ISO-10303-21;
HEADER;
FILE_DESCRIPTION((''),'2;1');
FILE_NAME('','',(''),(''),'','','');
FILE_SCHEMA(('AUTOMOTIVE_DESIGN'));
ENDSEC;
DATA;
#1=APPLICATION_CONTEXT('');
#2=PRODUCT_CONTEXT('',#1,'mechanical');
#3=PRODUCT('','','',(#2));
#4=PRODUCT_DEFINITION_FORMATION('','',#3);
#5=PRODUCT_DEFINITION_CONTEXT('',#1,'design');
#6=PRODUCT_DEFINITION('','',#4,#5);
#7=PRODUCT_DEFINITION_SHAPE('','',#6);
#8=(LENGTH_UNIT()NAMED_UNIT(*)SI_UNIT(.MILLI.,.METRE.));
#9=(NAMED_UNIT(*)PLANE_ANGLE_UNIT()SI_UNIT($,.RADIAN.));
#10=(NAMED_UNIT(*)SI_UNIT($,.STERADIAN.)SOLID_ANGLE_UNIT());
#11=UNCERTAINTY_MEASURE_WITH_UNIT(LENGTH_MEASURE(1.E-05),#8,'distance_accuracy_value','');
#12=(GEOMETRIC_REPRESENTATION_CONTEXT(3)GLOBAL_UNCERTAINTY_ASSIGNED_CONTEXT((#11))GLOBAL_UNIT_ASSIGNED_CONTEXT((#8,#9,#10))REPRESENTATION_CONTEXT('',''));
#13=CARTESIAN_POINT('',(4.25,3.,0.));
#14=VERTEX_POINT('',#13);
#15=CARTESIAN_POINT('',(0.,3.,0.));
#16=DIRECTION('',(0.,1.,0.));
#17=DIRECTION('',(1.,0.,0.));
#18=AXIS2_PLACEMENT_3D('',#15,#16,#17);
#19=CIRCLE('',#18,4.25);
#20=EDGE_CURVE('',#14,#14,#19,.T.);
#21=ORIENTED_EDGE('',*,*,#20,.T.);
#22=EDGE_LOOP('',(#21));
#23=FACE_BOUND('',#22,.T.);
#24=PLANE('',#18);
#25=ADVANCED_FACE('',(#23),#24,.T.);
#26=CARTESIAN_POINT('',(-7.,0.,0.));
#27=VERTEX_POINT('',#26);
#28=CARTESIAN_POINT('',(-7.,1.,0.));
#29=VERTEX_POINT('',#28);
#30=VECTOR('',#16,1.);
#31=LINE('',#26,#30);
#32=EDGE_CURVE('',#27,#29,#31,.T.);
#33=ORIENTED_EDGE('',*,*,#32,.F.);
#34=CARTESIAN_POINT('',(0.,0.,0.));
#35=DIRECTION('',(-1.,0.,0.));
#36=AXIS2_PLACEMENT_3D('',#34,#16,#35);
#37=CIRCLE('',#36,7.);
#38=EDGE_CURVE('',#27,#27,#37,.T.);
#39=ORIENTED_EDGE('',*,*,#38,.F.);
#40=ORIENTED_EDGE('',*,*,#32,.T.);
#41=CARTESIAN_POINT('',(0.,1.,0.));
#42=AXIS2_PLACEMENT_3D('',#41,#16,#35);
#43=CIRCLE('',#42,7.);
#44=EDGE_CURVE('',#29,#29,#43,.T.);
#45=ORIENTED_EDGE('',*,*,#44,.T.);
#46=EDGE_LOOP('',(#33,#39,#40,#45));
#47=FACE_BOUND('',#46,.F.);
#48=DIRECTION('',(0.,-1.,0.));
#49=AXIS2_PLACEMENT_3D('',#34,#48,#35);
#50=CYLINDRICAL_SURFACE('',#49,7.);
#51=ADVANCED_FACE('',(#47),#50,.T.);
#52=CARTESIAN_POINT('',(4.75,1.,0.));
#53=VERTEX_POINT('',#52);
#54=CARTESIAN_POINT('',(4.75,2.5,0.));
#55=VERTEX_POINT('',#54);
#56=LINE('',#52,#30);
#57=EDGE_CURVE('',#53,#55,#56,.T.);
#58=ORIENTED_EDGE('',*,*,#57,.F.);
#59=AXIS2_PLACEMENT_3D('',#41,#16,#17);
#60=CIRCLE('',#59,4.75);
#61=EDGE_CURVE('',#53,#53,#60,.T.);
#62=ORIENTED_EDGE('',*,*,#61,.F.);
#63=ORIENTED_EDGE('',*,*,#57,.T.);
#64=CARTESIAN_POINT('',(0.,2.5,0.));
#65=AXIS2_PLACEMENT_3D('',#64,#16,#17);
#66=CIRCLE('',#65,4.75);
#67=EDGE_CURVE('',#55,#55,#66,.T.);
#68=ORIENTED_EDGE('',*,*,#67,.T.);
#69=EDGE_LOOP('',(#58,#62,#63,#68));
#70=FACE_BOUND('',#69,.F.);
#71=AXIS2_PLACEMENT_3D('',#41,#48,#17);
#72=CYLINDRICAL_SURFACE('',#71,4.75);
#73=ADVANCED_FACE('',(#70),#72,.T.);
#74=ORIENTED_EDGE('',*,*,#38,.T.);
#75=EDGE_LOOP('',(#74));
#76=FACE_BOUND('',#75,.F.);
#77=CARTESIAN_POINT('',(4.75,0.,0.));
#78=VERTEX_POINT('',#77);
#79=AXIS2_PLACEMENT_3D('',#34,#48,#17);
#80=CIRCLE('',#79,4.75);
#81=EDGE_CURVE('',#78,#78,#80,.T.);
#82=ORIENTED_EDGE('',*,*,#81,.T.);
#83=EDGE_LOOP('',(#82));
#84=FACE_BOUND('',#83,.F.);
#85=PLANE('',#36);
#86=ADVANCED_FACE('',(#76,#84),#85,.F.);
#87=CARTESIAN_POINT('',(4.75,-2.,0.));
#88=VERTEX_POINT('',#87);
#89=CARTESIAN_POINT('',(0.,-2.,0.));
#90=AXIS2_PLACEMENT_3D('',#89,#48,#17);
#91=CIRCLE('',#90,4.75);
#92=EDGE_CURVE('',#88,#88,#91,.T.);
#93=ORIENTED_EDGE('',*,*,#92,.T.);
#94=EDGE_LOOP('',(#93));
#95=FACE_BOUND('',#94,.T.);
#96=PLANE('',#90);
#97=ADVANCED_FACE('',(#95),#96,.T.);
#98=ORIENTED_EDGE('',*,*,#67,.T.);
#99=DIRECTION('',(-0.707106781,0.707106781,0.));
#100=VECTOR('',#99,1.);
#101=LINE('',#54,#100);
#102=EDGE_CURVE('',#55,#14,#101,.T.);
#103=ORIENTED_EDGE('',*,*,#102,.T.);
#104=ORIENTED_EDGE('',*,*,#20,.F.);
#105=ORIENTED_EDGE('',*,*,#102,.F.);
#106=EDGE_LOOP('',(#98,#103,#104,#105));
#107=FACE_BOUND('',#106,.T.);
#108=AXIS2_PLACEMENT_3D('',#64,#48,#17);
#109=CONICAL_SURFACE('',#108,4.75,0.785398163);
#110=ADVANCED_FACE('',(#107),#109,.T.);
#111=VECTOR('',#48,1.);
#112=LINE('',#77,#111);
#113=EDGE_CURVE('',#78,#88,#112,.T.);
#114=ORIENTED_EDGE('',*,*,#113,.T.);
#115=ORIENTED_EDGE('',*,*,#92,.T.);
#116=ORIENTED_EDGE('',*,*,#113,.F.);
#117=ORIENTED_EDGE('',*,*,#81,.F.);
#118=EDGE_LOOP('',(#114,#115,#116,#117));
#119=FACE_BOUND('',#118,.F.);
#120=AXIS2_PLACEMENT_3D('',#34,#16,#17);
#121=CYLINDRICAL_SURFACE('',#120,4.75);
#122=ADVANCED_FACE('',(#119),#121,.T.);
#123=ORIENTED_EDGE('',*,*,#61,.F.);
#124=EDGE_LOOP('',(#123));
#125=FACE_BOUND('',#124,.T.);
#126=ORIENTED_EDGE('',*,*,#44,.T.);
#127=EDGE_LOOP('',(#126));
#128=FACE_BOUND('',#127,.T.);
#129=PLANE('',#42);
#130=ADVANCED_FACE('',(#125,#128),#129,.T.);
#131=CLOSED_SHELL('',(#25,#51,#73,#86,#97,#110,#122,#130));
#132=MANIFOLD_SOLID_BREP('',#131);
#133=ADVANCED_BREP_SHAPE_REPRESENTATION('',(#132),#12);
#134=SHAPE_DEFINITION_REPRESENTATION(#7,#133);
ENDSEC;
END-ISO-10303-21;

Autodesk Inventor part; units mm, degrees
ref_plane "YZ Plane" through (0, 0, 0) normal (1, 0, 0) x (0, 1, 0)
ref_plane "XZ Plane" through (0, 0, 0) normal (0, 1, 0) x (-1, 0, 0)
ref_plane "XY Plane" through (0, 0, 0) normal (0, 0, 1) x (1, 0, 0)
sketch "Sketch1" plane through (0, 0, 0) normal (0, 1, 0) x (-1, 0, 0)
  circle A0 centre (0, 0) radius 7
  dimension "d0" = 14
extrude "Extrusion1" add sketch "Sketch1" along normal blind 1
sketch "Sketch2" plane through (0, 1, 0) normal (0, 1, 0) x (1, 0, 0)
  circle A0 centre (0, 0) radius 4.75
  dimension "d3" = 9.5
extrude "Extrusion2" add sketch "Sketch2" along normal blind 2
sketch "Sketch3" plane through (0, 0, 0) normal (0, -1, 0) x (1, 0, 0)
  circle A0 centre (0, 0) radius 4.75
extrude "Extrusion3" add sketch "Sketch3" along normal blind 2
chamfer "Chamfer1" distance 0.5 angle 45 1 edges at (-4.75, 3, 0)
equation "\"BendRadius\" = Thickness"
equation "\"BendReliefWidth\" = Thickness"
equation "\"BendReliefDepth\" = 0.5 * Thickness"
equation "\"CornerReliefSize\" = 4 * Thickness"
equation "\"MinimumRemnant\" = 2 * Thickness"
equation "\"TransitionRadius\" = BendRadius"
equation "\"JacobiRadiusSize\" = BendRadius"
equation "\"GapSize\" = Thickness"
equation "\"Thickness\" = 0.5"
